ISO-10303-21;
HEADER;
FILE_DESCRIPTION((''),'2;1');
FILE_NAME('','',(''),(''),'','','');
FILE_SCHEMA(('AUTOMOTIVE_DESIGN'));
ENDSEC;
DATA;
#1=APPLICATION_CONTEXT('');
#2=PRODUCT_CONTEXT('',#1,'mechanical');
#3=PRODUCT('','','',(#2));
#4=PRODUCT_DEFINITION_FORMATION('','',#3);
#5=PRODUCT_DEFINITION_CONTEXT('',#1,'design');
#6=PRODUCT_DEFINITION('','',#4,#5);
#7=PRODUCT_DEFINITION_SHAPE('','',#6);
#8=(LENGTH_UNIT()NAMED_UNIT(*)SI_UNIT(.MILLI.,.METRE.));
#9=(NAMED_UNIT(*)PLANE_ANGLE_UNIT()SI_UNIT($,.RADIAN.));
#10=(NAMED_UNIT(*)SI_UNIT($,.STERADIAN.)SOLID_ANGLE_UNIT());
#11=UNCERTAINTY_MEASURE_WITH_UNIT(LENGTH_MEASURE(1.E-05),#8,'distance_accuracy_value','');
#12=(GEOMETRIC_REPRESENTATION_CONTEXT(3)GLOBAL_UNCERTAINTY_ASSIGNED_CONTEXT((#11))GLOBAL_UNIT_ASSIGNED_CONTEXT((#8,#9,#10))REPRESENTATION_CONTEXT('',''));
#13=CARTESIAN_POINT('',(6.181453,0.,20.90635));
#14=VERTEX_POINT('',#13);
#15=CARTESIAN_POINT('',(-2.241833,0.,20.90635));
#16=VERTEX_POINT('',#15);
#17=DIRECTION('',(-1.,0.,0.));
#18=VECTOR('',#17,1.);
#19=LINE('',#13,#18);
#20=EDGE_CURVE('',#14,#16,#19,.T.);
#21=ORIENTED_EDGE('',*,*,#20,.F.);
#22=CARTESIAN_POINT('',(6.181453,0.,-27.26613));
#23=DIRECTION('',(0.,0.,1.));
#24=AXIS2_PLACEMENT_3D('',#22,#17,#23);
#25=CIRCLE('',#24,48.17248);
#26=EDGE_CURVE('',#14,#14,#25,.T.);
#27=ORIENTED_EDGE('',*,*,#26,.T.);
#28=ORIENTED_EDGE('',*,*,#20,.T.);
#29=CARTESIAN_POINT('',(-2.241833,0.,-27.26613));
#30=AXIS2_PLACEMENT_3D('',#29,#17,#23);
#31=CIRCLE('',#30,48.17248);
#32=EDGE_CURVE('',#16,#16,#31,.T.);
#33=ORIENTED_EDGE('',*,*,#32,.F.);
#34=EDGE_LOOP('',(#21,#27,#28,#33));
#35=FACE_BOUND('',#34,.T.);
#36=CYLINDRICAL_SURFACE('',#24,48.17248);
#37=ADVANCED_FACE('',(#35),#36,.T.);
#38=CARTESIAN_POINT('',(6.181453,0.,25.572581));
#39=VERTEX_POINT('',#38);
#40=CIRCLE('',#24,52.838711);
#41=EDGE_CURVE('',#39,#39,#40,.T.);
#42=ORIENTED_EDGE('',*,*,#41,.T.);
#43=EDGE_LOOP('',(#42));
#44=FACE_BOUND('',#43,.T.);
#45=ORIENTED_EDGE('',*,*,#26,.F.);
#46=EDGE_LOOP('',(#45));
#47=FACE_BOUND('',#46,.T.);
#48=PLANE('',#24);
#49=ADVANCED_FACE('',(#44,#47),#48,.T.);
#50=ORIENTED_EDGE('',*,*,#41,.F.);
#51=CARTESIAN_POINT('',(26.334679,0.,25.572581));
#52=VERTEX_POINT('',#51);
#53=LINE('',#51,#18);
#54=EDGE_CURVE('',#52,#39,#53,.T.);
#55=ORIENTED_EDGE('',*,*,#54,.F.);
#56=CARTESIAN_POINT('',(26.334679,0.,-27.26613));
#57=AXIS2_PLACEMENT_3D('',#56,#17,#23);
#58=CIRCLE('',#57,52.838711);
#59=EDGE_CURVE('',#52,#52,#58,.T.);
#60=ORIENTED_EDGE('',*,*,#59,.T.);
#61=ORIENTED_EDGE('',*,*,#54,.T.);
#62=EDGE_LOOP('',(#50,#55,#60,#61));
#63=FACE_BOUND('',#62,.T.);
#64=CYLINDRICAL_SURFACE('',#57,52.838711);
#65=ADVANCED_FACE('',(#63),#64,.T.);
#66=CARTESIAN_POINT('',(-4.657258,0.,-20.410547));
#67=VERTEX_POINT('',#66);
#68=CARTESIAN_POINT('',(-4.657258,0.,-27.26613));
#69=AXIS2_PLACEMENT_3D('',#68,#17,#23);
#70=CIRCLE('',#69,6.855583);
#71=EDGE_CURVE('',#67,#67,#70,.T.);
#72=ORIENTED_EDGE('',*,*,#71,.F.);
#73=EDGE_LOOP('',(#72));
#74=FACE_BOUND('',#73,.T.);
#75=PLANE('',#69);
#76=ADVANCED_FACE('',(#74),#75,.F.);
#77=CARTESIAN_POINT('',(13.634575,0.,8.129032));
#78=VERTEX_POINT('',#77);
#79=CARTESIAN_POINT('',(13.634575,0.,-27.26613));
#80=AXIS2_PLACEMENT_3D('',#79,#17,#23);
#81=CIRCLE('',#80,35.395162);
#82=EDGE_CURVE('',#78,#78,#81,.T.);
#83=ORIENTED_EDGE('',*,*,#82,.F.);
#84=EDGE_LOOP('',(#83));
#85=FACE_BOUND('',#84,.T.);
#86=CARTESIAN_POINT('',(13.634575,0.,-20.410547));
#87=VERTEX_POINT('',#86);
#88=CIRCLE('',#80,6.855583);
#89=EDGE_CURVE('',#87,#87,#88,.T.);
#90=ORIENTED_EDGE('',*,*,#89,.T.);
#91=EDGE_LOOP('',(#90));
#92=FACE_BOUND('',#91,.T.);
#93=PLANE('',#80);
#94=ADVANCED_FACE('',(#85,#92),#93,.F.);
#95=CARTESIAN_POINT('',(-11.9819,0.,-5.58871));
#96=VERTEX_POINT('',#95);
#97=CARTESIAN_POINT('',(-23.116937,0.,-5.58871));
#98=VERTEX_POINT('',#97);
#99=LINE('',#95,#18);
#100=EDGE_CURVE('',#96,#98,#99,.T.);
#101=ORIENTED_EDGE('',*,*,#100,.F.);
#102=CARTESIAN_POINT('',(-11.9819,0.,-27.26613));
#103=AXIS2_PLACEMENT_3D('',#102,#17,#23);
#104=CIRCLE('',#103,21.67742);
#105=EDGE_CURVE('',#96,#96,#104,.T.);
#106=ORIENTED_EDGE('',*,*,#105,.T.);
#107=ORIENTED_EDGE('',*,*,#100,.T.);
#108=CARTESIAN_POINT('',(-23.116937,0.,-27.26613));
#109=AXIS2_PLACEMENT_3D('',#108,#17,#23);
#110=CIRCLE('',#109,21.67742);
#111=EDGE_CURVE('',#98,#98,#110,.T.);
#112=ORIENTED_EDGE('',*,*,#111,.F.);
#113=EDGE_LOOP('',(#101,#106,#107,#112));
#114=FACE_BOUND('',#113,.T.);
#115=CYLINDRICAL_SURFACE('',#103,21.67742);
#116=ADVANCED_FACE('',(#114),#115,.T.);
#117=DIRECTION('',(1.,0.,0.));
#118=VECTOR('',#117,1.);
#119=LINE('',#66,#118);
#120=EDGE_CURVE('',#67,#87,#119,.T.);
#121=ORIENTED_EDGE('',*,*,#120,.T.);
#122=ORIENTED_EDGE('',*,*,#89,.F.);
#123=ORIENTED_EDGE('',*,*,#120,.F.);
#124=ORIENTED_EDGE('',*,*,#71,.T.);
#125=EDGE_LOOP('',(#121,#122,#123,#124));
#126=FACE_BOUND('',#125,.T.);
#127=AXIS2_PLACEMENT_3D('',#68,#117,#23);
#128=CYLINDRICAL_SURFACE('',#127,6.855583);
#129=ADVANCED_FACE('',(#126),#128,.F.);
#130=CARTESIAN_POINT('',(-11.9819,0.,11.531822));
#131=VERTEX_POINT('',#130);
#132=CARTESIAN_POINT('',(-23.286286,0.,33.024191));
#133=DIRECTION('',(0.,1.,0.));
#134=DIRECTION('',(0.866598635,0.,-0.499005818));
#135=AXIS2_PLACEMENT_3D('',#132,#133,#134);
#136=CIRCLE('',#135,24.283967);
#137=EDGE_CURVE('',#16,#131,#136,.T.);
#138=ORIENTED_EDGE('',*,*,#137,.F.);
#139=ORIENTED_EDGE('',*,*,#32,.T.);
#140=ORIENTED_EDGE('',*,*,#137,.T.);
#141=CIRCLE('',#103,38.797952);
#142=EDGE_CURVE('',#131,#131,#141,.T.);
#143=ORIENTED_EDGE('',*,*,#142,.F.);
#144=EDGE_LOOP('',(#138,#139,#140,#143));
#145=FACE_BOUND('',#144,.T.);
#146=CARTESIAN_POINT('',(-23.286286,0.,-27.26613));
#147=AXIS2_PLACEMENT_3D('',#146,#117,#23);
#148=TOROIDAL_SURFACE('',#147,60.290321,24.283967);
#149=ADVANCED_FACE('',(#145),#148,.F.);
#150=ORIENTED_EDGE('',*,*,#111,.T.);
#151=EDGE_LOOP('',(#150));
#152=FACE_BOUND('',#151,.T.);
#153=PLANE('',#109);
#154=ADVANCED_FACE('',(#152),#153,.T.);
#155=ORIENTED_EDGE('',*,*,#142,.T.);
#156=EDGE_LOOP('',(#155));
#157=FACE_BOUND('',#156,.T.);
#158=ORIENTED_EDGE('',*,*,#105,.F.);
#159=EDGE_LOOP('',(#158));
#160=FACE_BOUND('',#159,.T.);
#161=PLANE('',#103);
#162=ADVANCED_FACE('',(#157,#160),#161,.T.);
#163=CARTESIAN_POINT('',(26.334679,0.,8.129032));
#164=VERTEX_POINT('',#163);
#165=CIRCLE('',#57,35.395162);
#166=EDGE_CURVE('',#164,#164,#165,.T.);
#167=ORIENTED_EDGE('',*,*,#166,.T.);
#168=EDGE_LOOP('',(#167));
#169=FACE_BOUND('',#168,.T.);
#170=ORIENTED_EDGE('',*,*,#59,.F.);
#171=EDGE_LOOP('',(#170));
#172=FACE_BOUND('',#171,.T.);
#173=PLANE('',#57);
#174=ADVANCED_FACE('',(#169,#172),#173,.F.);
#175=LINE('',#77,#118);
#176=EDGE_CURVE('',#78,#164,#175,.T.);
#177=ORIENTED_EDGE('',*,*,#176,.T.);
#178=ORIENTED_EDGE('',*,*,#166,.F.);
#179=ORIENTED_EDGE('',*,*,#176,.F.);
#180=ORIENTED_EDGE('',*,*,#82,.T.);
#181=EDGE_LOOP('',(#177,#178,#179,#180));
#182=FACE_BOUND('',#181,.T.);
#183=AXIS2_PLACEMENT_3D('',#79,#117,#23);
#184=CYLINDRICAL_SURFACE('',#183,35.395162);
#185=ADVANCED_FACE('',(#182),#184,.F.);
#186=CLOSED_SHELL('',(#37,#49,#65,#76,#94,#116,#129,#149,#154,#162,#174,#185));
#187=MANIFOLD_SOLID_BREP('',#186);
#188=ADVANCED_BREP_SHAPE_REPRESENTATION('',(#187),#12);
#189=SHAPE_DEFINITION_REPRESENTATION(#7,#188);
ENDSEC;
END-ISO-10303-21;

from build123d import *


with BuildPart() as f1:
    # F0 (on Front) → F1 (revolve)
    with BuildSketch(Plane.XZ):
        with BuildLine():
            Line((6.181453, 20.90635), (-2.241833, 20.90635))
            ThreePointArc((-2.241833, 20.90635), (-6.446384, 15.527655), (-11.9819, 11.531822))
            Line((-11.9819, 11.531822), (-11.9819, -5.58871))
            Line((-11.9819, -5.58871), (-23.116937, -5.58871))
            Line((-23.116937, -5.58871), (-23.116937, -27.26613))
            Line((-23.116937, -27.26613), (-4.657258, -27.26613))
            Line((-4.657258, -27.26613), (-4.657258, -20.410547))
            Line((-4.657258, -20.410547), (13.634575, -20.410547))
            Line((13.634575, -20.410547), (13.634575, 8.129032))
            Line((13.634575, 8.129032), (26.334679, 8.129032))
            Line((26.334679, 8.129032), (26.334679, 25.572581))
            Line((26.334679, 25.572581), (6.181453, 25.572581))
            Line((6.181453, 25.572581), (6.181453, 20.90635))
        make_face()
    revolve(axis=Axis((-13.887098, 0, -27.26613), (-1, 0, 0)))


solid = f1.part
